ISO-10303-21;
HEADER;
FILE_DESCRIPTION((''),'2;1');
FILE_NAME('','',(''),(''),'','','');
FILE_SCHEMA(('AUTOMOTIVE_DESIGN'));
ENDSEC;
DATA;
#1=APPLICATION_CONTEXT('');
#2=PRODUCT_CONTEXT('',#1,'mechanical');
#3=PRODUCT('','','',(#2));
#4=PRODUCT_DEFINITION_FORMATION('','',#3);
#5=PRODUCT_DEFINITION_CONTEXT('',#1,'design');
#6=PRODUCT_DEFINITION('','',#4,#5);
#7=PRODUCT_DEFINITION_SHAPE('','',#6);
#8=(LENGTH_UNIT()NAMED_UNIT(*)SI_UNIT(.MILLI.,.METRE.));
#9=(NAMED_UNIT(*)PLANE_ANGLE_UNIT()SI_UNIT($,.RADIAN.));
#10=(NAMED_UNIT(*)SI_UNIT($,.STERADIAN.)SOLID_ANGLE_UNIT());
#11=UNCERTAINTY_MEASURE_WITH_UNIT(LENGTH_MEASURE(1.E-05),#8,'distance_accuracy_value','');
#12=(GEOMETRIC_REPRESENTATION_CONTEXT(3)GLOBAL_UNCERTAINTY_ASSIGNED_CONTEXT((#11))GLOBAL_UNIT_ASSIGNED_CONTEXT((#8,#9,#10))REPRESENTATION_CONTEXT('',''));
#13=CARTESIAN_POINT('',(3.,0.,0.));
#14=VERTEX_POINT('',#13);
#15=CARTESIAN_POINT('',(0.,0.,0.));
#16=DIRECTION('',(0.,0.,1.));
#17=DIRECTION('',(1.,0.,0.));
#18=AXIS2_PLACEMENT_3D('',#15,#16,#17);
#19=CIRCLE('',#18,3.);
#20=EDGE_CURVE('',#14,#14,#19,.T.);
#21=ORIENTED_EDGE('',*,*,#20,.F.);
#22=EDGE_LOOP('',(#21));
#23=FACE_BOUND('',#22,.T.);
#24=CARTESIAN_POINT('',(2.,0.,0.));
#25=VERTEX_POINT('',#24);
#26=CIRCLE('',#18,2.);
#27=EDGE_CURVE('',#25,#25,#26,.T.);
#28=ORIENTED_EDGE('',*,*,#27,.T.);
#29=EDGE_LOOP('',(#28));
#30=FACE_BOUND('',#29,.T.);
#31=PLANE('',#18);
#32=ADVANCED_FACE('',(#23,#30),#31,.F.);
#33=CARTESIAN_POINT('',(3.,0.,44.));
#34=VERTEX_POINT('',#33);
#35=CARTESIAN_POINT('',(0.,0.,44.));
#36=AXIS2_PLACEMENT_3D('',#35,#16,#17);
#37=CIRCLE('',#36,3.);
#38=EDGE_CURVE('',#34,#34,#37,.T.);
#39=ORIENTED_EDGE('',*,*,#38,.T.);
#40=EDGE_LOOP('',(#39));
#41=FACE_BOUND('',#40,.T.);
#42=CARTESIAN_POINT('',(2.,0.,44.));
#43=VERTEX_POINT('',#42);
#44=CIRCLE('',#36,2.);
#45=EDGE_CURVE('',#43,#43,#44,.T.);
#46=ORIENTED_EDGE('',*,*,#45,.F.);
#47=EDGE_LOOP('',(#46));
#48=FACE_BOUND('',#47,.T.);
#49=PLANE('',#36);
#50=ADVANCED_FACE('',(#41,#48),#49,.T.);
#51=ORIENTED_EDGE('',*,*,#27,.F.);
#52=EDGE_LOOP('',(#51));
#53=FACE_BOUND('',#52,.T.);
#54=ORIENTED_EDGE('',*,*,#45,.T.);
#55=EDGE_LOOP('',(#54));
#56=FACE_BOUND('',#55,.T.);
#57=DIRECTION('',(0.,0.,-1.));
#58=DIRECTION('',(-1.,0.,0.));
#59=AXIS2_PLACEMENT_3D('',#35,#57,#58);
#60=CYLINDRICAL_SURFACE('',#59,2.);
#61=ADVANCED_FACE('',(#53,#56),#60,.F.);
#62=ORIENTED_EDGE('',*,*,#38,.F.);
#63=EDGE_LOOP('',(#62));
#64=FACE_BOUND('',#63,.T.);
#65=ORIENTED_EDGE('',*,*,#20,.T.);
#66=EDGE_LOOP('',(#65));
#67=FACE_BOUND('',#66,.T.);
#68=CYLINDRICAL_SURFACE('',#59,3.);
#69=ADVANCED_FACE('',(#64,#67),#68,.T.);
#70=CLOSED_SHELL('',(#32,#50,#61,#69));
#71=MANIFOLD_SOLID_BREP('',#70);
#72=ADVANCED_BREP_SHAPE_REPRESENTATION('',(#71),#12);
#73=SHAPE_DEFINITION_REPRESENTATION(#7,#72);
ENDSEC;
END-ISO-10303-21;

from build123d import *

# Parameters (mm, degrees)
SKETCH_1_R      = 3
SKETCH_1_R_2    = 2
EXTRUDE_1_DEPTH = 44


with BuildPart() as part:
    # 草图1 → 凸台-拉伸1 (new body)
    with BuildSketch(Plane.XY):
        Circle(SKETCH_1_R)
        Circle(SKETCH_1_R_2, mode=Mode.SUBTRACT)
    extrude(amount=EXTRUDE_1_DEPTH)


solid = part.part
